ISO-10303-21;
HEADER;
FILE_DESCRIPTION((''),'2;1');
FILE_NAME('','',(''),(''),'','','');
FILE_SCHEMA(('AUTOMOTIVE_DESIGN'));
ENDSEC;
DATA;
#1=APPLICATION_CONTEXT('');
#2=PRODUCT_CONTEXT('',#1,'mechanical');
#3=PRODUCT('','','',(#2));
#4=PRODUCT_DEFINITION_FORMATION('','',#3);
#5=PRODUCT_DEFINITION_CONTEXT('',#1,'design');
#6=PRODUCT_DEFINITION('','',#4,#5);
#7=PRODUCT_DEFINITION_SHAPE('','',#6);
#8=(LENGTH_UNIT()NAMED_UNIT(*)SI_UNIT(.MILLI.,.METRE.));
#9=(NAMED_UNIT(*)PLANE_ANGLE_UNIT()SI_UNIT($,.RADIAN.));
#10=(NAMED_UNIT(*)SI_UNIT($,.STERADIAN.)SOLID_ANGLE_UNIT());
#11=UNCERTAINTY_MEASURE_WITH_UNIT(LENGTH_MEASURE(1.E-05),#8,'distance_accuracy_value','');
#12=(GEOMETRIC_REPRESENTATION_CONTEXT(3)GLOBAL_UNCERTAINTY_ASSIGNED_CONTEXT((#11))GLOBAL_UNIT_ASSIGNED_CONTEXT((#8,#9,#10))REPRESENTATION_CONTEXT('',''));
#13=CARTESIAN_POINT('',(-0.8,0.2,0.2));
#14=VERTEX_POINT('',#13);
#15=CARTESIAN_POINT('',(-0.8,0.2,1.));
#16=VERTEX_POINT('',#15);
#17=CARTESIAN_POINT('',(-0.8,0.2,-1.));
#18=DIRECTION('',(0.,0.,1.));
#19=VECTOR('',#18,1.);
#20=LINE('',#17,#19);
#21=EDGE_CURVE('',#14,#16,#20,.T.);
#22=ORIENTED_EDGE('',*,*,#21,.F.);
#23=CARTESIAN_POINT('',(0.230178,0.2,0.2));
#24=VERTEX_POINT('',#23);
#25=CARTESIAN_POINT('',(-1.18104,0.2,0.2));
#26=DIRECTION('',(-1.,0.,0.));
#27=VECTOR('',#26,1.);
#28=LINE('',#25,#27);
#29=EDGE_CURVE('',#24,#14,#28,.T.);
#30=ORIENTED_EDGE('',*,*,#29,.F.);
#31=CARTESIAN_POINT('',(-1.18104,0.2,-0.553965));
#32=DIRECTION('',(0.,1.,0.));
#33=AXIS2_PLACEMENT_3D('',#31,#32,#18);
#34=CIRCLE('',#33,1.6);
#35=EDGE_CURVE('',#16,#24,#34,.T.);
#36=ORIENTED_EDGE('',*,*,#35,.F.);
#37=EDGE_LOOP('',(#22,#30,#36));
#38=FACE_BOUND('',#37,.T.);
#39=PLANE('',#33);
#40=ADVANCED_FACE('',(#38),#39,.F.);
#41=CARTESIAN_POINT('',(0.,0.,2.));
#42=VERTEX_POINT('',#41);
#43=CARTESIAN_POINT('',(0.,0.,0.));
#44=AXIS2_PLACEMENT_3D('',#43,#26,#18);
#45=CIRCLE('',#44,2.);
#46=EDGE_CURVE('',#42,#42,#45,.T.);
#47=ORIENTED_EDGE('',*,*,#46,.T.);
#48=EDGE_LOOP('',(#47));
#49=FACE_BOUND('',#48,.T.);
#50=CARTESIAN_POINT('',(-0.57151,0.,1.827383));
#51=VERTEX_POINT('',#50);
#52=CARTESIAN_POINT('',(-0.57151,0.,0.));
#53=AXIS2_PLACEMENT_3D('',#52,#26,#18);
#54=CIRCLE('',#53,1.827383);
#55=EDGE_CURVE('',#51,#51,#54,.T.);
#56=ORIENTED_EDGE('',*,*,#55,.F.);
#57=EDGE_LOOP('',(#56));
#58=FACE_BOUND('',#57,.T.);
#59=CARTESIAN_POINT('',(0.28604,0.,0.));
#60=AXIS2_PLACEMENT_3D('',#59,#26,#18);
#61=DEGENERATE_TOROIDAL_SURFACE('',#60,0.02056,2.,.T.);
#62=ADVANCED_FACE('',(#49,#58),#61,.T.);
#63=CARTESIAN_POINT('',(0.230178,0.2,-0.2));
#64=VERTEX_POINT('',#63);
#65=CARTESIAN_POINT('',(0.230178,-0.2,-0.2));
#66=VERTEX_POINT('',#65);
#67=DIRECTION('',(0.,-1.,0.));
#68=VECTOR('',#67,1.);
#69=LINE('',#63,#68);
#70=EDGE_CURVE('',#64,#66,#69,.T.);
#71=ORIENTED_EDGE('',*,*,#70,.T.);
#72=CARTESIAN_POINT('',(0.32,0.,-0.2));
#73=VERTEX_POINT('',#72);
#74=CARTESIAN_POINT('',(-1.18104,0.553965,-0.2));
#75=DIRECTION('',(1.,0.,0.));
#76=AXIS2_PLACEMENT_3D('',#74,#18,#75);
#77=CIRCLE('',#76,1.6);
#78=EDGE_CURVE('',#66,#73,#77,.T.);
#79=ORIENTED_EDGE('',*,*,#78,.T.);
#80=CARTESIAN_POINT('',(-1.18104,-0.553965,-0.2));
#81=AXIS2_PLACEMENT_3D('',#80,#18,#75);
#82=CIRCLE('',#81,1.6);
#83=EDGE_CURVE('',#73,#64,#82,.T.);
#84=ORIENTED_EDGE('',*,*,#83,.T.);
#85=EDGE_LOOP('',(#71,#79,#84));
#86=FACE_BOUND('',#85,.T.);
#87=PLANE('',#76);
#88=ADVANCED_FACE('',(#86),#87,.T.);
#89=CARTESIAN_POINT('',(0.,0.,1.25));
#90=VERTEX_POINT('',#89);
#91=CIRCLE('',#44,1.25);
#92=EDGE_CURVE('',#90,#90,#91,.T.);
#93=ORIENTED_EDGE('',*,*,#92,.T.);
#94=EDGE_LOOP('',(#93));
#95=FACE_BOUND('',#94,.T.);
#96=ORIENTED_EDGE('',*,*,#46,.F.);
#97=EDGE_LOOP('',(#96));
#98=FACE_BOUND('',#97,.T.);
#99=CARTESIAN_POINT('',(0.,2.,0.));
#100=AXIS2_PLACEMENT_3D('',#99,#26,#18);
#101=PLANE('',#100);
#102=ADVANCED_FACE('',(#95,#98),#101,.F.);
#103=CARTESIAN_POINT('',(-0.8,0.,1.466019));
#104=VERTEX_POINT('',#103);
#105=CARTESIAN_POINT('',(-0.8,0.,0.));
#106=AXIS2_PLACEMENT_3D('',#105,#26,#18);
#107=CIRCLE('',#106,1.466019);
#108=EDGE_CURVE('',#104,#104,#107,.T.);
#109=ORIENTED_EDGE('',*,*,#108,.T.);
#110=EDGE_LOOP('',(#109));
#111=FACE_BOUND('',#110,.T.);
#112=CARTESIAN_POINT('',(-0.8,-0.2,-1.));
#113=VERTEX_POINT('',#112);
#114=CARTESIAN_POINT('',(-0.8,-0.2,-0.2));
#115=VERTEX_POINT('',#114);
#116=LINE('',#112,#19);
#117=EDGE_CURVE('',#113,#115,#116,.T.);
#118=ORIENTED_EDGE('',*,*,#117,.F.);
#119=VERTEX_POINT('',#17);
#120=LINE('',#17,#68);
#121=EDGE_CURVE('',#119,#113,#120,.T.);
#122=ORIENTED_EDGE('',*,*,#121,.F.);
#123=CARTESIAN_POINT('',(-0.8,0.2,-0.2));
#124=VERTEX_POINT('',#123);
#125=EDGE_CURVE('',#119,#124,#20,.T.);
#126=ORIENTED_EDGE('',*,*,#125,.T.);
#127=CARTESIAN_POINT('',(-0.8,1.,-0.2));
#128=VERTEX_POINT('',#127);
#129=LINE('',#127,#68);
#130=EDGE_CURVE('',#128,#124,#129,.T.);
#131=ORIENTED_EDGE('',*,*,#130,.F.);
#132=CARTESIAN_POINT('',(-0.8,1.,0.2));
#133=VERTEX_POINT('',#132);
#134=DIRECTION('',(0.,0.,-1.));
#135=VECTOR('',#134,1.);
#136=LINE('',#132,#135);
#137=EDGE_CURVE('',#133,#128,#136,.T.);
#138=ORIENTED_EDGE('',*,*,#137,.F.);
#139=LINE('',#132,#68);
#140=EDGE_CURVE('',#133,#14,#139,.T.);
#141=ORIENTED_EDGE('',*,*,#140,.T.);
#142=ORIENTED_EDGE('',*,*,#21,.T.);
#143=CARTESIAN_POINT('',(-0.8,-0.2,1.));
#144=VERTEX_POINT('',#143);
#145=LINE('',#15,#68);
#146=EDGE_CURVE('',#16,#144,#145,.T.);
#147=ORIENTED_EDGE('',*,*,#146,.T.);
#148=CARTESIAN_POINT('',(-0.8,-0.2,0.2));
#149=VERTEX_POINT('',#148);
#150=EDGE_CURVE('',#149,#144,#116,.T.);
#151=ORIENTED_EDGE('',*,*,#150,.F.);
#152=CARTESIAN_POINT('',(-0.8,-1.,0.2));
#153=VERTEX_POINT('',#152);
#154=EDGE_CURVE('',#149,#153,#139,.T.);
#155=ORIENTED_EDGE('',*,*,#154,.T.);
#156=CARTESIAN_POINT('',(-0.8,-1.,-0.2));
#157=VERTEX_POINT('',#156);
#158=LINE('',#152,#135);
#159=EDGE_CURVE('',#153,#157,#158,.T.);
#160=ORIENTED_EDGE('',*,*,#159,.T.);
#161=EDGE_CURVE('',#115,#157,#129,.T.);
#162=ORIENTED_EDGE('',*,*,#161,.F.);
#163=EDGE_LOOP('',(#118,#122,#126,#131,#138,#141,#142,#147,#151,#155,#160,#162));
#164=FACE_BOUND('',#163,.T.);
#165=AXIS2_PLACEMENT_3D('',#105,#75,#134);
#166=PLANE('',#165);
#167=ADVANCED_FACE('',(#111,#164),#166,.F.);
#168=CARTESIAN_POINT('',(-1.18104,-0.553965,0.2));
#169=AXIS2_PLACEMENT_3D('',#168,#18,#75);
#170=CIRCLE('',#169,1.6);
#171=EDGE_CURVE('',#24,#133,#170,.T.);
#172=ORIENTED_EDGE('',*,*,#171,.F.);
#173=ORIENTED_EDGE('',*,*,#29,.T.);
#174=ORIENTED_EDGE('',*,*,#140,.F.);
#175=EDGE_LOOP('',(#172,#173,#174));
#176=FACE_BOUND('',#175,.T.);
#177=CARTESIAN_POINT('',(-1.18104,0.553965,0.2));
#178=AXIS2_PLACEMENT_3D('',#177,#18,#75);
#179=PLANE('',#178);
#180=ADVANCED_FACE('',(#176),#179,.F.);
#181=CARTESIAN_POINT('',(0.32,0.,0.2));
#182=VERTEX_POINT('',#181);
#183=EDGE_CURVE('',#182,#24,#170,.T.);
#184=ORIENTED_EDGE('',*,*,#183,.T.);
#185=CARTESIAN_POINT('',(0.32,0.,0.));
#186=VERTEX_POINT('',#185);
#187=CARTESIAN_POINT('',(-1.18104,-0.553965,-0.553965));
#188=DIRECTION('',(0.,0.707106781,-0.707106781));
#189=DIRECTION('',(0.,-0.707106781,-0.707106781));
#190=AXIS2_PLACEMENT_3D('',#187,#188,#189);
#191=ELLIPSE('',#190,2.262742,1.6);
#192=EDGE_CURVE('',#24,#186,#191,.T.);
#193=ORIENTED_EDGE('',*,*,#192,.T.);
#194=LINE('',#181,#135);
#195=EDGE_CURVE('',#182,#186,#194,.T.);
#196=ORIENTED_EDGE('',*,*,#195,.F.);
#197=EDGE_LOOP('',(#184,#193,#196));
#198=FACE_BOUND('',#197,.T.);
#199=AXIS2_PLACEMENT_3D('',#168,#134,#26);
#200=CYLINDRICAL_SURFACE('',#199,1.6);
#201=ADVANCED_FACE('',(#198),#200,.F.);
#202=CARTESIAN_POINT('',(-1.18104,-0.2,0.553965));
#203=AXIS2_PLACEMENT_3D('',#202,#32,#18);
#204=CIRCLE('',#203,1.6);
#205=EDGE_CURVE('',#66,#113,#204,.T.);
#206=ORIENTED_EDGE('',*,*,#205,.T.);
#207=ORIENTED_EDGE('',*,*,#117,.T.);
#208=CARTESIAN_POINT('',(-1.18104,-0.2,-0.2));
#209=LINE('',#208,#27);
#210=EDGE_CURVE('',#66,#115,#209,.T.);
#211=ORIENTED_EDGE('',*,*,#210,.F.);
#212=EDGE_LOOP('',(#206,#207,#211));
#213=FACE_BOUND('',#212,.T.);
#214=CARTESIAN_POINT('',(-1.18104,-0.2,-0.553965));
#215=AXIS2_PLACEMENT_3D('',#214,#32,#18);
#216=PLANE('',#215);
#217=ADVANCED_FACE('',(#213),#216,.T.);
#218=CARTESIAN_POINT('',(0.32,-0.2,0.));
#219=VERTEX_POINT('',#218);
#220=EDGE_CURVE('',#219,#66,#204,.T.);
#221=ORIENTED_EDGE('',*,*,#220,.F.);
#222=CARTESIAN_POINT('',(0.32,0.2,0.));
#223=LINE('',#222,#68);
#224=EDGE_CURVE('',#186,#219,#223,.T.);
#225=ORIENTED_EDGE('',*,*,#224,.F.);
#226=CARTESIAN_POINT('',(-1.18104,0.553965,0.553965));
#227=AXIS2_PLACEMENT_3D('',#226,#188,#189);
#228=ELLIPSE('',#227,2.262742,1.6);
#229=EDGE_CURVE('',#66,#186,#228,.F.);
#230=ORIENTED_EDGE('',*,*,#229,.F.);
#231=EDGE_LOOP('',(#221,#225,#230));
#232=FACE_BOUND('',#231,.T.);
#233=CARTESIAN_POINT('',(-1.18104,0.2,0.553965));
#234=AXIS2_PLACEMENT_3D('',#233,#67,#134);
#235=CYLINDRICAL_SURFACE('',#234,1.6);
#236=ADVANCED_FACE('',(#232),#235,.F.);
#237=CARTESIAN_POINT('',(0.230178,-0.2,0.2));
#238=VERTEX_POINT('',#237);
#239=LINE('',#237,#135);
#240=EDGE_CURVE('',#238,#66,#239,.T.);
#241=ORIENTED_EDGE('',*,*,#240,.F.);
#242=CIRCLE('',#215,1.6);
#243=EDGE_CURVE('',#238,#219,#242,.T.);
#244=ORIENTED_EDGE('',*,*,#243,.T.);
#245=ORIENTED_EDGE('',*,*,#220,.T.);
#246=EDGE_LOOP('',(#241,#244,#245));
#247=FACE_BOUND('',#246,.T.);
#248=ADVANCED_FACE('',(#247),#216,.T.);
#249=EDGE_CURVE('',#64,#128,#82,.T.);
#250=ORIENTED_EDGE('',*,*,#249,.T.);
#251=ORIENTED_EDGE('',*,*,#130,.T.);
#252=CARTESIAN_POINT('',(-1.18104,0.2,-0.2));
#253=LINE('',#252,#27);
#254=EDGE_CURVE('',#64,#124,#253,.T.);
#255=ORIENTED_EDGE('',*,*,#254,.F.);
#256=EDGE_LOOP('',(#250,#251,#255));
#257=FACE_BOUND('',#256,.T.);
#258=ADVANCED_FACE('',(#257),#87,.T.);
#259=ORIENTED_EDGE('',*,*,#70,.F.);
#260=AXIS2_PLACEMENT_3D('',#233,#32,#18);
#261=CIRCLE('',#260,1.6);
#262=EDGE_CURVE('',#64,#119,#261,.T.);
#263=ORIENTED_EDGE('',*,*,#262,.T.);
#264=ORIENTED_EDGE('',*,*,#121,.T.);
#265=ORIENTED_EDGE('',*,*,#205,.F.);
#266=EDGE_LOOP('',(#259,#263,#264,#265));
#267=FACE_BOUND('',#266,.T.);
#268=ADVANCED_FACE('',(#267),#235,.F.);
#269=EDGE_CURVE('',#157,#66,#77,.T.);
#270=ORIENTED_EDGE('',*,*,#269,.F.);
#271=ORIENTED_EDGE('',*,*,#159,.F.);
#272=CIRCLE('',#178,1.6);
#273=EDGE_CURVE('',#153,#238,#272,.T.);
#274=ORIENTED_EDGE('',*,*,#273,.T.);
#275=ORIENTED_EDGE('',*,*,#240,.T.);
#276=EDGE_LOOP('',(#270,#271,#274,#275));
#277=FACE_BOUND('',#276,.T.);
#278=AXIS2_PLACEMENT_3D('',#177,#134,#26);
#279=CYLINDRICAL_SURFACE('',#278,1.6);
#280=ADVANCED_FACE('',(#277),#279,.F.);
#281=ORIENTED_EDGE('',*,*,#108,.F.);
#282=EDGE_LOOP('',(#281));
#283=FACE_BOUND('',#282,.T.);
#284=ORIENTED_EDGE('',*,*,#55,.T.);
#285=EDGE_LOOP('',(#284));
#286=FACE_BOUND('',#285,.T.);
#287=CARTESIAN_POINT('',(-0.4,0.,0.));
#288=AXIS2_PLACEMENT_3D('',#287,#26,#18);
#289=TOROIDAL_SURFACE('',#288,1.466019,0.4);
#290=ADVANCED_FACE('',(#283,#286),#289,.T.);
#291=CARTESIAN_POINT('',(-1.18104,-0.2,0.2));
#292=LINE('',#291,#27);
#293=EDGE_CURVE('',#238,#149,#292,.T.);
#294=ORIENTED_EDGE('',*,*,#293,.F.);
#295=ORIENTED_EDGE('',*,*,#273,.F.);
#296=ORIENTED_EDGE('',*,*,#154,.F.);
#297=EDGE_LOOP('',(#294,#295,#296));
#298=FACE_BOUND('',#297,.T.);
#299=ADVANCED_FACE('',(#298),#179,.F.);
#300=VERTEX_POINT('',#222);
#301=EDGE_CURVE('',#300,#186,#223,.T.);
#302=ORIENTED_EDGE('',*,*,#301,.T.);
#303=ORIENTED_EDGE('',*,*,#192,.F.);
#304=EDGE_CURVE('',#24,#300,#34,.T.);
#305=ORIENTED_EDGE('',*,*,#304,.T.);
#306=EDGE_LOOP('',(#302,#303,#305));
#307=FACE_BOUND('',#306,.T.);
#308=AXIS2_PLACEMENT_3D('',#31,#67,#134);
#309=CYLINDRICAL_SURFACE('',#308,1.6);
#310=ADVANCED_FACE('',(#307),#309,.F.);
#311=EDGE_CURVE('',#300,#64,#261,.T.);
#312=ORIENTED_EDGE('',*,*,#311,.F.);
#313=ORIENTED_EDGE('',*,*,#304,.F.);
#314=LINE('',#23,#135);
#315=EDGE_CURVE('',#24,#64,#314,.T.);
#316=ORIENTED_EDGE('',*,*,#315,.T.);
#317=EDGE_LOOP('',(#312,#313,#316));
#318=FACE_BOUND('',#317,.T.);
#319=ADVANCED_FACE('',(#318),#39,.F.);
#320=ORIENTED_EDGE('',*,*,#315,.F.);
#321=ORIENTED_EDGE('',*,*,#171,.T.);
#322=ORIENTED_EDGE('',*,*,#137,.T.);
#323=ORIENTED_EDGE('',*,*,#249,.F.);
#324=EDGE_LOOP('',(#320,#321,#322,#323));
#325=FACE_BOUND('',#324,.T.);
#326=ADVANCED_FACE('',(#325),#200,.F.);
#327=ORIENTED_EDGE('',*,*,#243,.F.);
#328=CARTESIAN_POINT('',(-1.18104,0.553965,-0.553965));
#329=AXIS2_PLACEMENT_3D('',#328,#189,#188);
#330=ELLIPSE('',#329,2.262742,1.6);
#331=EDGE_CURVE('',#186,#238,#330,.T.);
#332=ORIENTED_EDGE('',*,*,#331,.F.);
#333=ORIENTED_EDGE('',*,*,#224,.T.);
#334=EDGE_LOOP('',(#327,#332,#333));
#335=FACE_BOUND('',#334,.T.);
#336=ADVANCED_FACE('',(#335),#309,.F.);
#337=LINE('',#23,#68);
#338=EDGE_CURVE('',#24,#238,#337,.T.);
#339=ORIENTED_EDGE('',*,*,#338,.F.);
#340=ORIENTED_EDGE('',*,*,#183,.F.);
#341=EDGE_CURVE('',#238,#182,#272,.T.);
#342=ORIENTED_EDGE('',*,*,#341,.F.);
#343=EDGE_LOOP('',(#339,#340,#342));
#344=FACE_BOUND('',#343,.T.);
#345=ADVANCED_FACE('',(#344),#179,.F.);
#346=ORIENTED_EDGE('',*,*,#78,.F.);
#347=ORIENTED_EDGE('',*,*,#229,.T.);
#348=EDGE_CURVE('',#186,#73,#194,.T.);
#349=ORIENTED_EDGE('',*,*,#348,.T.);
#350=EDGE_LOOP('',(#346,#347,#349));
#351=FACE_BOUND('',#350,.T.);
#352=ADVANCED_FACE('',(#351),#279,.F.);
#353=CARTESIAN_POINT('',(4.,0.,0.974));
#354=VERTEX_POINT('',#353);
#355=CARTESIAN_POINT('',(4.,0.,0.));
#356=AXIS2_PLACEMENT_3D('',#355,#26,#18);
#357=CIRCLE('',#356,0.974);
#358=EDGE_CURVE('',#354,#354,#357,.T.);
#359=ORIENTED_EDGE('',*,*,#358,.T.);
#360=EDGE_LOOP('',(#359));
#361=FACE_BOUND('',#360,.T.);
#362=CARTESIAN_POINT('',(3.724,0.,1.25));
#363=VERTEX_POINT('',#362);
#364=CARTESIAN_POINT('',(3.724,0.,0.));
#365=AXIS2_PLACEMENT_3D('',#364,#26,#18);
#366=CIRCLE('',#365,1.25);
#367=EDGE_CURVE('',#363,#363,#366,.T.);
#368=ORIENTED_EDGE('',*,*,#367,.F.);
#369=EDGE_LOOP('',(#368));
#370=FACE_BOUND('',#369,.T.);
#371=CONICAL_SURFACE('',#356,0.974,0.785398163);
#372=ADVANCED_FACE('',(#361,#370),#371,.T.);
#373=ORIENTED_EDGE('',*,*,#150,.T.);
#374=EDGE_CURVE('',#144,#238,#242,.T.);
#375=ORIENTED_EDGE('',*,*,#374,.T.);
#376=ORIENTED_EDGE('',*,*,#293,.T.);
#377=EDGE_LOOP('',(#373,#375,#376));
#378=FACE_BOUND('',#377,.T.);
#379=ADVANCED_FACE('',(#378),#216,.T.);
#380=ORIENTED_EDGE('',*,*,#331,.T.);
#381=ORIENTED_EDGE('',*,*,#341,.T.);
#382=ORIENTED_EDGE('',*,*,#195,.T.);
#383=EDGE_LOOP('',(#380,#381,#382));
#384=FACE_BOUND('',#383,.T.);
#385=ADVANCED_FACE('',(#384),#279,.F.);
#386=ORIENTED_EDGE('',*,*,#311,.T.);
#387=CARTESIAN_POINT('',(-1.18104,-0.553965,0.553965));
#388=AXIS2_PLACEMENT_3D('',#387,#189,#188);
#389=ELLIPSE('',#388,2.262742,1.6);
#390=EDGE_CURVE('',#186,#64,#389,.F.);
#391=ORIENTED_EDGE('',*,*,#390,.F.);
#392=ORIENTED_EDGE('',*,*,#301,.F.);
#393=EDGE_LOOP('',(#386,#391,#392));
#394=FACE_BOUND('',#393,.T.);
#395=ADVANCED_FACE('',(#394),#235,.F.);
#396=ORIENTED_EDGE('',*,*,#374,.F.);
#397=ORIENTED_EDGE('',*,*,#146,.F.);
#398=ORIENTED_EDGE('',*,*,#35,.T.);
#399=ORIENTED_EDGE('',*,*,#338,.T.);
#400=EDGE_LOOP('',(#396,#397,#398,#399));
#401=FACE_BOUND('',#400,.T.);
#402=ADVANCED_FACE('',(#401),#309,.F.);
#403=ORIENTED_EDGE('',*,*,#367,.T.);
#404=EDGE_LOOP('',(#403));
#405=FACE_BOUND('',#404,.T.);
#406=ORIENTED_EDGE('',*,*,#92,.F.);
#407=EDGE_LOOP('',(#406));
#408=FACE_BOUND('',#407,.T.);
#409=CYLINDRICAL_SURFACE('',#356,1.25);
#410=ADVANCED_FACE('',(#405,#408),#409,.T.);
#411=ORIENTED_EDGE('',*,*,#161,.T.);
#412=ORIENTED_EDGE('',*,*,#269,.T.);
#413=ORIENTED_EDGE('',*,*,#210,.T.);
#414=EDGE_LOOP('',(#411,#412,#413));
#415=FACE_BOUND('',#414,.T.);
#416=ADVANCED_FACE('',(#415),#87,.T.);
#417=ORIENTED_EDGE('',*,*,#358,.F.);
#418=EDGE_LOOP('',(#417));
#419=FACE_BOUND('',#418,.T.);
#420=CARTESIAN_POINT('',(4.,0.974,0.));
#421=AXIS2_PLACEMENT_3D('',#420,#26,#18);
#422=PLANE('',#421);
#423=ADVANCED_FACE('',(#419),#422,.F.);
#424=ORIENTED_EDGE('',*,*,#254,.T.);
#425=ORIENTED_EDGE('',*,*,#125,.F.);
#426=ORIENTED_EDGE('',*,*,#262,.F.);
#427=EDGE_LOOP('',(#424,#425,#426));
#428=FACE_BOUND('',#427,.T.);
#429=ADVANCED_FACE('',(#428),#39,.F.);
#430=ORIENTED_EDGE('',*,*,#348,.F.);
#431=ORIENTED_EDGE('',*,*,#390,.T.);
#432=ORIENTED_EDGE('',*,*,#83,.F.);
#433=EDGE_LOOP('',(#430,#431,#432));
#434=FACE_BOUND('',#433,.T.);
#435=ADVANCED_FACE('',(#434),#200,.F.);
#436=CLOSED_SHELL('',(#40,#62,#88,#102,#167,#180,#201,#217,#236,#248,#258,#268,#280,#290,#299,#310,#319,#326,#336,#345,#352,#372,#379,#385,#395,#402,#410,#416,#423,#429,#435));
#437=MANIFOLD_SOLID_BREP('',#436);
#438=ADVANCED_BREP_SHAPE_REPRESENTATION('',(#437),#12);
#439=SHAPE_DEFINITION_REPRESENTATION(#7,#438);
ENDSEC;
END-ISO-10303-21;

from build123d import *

# Parameters (mm, degrees)
CUT_EXTRUDE1_DEPTH      = 0.2
CUT_EXTRUDE1_DEPTH_BACK = 0.2
CUT_EXTRUDE2_DEPTH      = 0.2
CUT_EXTRUDE2_DEPTH_BACK = 0.2


with BuildPart() as part:
    # Sketch1 → Revolve1 (revolve)
    with BuildSketch(Plane.XY):
        with BuildLine():
            Line((-0.8, 0), (-0.8, 1.46601855))
            ThreePointArc((-0.8, 1.46601855), (-0.738085774, 1.679789478), (-0.571509952, 1.827383098))
            ThreePointArc((-0.571509952, 1.827383098), (-0.29223212, 1.93513645), (0, 2))
            Line((0, 2), (0, 1.25))
            Line((0, 1.25), (3.724, 1.25))
            Line((3.724, 1.25), (4, 0.974))
            Line((4, 0.974), (4, 0))
            Line((4, 0), (-0.8, 0))
        make_face()
    revolve(axis=Axis((4, 0, 0), (-1, 0, 0)))

    # Sketch2 → Cut-Extrude1 (cut, two sides: drawn at the far end of the back side and taken through both)
    with BuildSketch(Plane.XY.offset(-CUT_EXTRUDE1_DEPTH_BACK)):
        with BuildLine():
            Line((-0.8, 1), (-0.8, -1))
            ThreePointArc((-0.8, -1), (-0.115415221, -0.639534952), (0.32, 0))
            ThreePointArc((0.32, 0), (-0.115415221, 0.639534952), (-0.8, 1))
        make_face()
    extrude(amount=CUT_EXTRUDE1_DEPTH + CUT_EXTRUDE1_DEPTH_BACK, mode=Mode.SUBTRACT)

    # Sketch3 → Cut-Extrude2 (cut, two sides: drawn at the far end of the back side and taken through both)
    with BuildSketch(Plane(origin=(0, 0, 0), x_dir=(1, 0, 0), z_dir=(0, 1, 0)).offset(-CUT_EXTRUDE2_DEPTH_BACK)):
        with BuildLine():
            Line((-0.8, 1), (-0.8, -1))
            ThreePointArc((-0.8, -1), (-0.115415221, -0.639534952), (0.32, 0))
            ThreePointArc((0.32, 0), (-0.115415221, 0.639534952), (-0.8, 1))
        make_face()
    extrude(amount=CUT_EXTRUDE2_DEPTH + CUT_EXTRUDE2_DEPTH_BACK, mode=Mode.SUBTRACT)


solid = part.part
